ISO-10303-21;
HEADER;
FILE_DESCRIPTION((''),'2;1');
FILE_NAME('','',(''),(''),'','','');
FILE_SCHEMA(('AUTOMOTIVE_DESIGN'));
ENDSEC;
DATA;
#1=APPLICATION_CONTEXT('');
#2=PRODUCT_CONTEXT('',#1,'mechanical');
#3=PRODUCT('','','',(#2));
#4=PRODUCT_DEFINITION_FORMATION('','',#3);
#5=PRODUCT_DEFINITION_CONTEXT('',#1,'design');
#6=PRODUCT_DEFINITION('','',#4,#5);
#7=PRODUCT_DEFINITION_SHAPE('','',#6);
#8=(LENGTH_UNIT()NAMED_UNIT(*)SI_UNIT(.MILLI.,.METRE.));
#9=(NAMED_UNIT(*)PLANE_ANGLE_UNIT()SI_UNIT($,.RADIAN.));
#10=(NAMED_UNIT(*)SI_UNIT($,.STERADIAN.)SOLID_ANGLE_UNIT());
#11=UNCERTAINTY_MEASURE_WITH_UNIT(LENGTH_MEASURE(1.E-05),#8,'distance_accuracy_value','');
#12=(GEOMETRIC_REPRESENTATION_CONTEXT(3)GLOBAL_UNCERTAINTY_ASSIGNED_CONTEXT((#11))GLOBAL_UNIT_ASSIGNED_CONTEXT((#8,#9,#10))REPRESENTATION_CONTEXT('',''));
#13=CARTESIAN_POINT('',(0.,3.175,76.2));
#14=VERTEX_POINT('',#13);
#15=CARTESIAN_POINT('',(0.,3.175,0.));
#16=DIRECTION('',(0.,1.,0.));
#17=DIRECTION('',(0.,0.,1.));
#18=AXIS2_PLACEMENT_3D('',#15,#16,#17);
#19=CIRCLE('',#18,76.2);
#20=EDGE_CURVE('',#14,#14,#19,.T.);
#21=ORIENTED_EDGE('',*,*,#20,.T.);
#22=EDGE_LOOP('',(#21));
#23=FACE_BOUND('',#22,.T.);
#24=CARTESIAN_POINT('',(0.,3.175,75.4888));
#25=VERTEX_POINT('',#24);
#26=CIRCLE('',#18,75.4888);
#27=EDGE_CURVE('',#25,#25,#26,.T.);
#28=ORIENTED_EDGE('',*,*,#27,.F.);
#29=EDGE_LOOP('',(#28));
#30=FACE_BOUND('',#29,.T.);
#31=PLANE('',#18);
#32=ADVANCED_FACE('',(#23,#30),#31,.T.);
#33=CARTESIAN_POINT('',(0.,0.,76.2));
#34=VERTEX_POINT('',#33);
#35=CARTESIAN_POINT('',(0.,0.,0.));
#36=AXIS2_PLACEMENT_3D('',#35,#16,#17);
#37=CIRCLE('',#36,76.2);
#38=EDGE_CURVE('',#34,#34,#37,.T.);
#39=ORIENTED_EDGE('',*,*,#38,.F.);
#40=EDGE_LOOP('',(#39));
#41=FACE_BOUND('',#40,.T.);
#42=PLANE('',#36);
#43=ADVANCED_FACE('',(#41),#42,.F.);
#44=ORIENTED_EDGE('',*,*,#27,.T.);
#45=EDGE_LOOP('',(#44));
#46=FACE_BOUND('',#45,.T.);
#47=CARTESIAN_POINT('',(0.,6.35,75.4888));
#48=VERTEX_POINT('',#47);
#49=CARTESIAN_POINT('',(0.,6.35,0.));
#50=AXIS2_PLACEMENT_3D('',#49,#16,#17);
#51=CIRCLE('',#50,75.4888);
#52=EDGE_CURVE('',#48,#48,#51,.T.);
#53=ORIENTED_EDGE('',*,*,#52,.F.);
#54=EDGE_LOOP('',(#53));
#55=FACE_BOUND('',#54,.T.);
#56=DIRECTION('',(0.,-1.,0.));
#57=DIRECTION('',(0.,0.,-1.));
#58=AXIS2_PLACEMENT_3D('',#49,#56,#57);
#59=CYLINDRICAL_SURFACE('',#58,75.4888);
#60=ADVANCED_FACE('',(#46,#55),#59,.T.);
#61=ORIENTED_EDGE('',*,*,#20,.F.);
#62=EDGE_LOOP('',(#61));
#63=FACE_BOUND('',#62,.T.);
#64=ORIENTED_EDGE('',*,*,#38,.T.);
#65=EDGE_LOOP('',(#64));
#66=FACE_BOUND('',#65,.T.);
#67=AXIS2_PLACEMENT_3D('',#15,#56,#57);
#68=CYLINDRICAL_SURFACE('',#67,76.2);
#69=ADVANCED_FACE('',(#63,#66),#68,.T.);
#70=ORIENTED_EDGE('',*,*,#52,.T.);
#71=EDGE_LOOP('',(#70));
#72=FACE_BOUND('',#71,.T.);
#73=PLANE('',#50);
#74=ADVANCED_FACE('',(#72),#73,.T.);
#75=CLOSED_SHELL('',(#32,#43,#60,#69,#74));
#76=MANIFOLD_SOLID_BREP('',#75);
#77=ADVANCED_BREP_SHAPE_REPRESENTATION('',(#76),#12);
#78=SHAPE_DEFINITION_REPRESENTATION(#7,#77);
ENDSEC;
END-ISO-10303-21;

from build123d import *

# Parameters (mm, degrees)
SKETCH1_R           = 76.2
BOSS_EXTRUDE1_DEPTH = 3.175
SKETCH2_R           = 75.4888
BOSS_EXTRUDE2_DEPTH = 3.175


with BuildPart() as part:
    # Sketch1 → Boss-Extrude1 (new body)
    with BuildSketch(Plane(origin=(0, 0, 0), x_dir=(1, 0, 0), z_dir=(0, 1, 0))):
        with Locations(Location((0, 0, 0), (0, 0, 270))):
            Circle(SKETCH1_R)
    extrude(amount=BOSS_EXTRUDE1_DEPTH)

    # Sketch2 → Boss-Extrude2 (add)
    with BuildSketch(Plane(origin=(0, 3.175, 0), x_dir=(1, 0, 0), z_dir=(0, 1, 0))):
        with Locations(Location((0, 0, 0), (0, 0, 270))):
            Circle(SKETCH2_R)
    extrude(amount=BOSS_EXTRUDE2_DEPTH)


solid = part.part
